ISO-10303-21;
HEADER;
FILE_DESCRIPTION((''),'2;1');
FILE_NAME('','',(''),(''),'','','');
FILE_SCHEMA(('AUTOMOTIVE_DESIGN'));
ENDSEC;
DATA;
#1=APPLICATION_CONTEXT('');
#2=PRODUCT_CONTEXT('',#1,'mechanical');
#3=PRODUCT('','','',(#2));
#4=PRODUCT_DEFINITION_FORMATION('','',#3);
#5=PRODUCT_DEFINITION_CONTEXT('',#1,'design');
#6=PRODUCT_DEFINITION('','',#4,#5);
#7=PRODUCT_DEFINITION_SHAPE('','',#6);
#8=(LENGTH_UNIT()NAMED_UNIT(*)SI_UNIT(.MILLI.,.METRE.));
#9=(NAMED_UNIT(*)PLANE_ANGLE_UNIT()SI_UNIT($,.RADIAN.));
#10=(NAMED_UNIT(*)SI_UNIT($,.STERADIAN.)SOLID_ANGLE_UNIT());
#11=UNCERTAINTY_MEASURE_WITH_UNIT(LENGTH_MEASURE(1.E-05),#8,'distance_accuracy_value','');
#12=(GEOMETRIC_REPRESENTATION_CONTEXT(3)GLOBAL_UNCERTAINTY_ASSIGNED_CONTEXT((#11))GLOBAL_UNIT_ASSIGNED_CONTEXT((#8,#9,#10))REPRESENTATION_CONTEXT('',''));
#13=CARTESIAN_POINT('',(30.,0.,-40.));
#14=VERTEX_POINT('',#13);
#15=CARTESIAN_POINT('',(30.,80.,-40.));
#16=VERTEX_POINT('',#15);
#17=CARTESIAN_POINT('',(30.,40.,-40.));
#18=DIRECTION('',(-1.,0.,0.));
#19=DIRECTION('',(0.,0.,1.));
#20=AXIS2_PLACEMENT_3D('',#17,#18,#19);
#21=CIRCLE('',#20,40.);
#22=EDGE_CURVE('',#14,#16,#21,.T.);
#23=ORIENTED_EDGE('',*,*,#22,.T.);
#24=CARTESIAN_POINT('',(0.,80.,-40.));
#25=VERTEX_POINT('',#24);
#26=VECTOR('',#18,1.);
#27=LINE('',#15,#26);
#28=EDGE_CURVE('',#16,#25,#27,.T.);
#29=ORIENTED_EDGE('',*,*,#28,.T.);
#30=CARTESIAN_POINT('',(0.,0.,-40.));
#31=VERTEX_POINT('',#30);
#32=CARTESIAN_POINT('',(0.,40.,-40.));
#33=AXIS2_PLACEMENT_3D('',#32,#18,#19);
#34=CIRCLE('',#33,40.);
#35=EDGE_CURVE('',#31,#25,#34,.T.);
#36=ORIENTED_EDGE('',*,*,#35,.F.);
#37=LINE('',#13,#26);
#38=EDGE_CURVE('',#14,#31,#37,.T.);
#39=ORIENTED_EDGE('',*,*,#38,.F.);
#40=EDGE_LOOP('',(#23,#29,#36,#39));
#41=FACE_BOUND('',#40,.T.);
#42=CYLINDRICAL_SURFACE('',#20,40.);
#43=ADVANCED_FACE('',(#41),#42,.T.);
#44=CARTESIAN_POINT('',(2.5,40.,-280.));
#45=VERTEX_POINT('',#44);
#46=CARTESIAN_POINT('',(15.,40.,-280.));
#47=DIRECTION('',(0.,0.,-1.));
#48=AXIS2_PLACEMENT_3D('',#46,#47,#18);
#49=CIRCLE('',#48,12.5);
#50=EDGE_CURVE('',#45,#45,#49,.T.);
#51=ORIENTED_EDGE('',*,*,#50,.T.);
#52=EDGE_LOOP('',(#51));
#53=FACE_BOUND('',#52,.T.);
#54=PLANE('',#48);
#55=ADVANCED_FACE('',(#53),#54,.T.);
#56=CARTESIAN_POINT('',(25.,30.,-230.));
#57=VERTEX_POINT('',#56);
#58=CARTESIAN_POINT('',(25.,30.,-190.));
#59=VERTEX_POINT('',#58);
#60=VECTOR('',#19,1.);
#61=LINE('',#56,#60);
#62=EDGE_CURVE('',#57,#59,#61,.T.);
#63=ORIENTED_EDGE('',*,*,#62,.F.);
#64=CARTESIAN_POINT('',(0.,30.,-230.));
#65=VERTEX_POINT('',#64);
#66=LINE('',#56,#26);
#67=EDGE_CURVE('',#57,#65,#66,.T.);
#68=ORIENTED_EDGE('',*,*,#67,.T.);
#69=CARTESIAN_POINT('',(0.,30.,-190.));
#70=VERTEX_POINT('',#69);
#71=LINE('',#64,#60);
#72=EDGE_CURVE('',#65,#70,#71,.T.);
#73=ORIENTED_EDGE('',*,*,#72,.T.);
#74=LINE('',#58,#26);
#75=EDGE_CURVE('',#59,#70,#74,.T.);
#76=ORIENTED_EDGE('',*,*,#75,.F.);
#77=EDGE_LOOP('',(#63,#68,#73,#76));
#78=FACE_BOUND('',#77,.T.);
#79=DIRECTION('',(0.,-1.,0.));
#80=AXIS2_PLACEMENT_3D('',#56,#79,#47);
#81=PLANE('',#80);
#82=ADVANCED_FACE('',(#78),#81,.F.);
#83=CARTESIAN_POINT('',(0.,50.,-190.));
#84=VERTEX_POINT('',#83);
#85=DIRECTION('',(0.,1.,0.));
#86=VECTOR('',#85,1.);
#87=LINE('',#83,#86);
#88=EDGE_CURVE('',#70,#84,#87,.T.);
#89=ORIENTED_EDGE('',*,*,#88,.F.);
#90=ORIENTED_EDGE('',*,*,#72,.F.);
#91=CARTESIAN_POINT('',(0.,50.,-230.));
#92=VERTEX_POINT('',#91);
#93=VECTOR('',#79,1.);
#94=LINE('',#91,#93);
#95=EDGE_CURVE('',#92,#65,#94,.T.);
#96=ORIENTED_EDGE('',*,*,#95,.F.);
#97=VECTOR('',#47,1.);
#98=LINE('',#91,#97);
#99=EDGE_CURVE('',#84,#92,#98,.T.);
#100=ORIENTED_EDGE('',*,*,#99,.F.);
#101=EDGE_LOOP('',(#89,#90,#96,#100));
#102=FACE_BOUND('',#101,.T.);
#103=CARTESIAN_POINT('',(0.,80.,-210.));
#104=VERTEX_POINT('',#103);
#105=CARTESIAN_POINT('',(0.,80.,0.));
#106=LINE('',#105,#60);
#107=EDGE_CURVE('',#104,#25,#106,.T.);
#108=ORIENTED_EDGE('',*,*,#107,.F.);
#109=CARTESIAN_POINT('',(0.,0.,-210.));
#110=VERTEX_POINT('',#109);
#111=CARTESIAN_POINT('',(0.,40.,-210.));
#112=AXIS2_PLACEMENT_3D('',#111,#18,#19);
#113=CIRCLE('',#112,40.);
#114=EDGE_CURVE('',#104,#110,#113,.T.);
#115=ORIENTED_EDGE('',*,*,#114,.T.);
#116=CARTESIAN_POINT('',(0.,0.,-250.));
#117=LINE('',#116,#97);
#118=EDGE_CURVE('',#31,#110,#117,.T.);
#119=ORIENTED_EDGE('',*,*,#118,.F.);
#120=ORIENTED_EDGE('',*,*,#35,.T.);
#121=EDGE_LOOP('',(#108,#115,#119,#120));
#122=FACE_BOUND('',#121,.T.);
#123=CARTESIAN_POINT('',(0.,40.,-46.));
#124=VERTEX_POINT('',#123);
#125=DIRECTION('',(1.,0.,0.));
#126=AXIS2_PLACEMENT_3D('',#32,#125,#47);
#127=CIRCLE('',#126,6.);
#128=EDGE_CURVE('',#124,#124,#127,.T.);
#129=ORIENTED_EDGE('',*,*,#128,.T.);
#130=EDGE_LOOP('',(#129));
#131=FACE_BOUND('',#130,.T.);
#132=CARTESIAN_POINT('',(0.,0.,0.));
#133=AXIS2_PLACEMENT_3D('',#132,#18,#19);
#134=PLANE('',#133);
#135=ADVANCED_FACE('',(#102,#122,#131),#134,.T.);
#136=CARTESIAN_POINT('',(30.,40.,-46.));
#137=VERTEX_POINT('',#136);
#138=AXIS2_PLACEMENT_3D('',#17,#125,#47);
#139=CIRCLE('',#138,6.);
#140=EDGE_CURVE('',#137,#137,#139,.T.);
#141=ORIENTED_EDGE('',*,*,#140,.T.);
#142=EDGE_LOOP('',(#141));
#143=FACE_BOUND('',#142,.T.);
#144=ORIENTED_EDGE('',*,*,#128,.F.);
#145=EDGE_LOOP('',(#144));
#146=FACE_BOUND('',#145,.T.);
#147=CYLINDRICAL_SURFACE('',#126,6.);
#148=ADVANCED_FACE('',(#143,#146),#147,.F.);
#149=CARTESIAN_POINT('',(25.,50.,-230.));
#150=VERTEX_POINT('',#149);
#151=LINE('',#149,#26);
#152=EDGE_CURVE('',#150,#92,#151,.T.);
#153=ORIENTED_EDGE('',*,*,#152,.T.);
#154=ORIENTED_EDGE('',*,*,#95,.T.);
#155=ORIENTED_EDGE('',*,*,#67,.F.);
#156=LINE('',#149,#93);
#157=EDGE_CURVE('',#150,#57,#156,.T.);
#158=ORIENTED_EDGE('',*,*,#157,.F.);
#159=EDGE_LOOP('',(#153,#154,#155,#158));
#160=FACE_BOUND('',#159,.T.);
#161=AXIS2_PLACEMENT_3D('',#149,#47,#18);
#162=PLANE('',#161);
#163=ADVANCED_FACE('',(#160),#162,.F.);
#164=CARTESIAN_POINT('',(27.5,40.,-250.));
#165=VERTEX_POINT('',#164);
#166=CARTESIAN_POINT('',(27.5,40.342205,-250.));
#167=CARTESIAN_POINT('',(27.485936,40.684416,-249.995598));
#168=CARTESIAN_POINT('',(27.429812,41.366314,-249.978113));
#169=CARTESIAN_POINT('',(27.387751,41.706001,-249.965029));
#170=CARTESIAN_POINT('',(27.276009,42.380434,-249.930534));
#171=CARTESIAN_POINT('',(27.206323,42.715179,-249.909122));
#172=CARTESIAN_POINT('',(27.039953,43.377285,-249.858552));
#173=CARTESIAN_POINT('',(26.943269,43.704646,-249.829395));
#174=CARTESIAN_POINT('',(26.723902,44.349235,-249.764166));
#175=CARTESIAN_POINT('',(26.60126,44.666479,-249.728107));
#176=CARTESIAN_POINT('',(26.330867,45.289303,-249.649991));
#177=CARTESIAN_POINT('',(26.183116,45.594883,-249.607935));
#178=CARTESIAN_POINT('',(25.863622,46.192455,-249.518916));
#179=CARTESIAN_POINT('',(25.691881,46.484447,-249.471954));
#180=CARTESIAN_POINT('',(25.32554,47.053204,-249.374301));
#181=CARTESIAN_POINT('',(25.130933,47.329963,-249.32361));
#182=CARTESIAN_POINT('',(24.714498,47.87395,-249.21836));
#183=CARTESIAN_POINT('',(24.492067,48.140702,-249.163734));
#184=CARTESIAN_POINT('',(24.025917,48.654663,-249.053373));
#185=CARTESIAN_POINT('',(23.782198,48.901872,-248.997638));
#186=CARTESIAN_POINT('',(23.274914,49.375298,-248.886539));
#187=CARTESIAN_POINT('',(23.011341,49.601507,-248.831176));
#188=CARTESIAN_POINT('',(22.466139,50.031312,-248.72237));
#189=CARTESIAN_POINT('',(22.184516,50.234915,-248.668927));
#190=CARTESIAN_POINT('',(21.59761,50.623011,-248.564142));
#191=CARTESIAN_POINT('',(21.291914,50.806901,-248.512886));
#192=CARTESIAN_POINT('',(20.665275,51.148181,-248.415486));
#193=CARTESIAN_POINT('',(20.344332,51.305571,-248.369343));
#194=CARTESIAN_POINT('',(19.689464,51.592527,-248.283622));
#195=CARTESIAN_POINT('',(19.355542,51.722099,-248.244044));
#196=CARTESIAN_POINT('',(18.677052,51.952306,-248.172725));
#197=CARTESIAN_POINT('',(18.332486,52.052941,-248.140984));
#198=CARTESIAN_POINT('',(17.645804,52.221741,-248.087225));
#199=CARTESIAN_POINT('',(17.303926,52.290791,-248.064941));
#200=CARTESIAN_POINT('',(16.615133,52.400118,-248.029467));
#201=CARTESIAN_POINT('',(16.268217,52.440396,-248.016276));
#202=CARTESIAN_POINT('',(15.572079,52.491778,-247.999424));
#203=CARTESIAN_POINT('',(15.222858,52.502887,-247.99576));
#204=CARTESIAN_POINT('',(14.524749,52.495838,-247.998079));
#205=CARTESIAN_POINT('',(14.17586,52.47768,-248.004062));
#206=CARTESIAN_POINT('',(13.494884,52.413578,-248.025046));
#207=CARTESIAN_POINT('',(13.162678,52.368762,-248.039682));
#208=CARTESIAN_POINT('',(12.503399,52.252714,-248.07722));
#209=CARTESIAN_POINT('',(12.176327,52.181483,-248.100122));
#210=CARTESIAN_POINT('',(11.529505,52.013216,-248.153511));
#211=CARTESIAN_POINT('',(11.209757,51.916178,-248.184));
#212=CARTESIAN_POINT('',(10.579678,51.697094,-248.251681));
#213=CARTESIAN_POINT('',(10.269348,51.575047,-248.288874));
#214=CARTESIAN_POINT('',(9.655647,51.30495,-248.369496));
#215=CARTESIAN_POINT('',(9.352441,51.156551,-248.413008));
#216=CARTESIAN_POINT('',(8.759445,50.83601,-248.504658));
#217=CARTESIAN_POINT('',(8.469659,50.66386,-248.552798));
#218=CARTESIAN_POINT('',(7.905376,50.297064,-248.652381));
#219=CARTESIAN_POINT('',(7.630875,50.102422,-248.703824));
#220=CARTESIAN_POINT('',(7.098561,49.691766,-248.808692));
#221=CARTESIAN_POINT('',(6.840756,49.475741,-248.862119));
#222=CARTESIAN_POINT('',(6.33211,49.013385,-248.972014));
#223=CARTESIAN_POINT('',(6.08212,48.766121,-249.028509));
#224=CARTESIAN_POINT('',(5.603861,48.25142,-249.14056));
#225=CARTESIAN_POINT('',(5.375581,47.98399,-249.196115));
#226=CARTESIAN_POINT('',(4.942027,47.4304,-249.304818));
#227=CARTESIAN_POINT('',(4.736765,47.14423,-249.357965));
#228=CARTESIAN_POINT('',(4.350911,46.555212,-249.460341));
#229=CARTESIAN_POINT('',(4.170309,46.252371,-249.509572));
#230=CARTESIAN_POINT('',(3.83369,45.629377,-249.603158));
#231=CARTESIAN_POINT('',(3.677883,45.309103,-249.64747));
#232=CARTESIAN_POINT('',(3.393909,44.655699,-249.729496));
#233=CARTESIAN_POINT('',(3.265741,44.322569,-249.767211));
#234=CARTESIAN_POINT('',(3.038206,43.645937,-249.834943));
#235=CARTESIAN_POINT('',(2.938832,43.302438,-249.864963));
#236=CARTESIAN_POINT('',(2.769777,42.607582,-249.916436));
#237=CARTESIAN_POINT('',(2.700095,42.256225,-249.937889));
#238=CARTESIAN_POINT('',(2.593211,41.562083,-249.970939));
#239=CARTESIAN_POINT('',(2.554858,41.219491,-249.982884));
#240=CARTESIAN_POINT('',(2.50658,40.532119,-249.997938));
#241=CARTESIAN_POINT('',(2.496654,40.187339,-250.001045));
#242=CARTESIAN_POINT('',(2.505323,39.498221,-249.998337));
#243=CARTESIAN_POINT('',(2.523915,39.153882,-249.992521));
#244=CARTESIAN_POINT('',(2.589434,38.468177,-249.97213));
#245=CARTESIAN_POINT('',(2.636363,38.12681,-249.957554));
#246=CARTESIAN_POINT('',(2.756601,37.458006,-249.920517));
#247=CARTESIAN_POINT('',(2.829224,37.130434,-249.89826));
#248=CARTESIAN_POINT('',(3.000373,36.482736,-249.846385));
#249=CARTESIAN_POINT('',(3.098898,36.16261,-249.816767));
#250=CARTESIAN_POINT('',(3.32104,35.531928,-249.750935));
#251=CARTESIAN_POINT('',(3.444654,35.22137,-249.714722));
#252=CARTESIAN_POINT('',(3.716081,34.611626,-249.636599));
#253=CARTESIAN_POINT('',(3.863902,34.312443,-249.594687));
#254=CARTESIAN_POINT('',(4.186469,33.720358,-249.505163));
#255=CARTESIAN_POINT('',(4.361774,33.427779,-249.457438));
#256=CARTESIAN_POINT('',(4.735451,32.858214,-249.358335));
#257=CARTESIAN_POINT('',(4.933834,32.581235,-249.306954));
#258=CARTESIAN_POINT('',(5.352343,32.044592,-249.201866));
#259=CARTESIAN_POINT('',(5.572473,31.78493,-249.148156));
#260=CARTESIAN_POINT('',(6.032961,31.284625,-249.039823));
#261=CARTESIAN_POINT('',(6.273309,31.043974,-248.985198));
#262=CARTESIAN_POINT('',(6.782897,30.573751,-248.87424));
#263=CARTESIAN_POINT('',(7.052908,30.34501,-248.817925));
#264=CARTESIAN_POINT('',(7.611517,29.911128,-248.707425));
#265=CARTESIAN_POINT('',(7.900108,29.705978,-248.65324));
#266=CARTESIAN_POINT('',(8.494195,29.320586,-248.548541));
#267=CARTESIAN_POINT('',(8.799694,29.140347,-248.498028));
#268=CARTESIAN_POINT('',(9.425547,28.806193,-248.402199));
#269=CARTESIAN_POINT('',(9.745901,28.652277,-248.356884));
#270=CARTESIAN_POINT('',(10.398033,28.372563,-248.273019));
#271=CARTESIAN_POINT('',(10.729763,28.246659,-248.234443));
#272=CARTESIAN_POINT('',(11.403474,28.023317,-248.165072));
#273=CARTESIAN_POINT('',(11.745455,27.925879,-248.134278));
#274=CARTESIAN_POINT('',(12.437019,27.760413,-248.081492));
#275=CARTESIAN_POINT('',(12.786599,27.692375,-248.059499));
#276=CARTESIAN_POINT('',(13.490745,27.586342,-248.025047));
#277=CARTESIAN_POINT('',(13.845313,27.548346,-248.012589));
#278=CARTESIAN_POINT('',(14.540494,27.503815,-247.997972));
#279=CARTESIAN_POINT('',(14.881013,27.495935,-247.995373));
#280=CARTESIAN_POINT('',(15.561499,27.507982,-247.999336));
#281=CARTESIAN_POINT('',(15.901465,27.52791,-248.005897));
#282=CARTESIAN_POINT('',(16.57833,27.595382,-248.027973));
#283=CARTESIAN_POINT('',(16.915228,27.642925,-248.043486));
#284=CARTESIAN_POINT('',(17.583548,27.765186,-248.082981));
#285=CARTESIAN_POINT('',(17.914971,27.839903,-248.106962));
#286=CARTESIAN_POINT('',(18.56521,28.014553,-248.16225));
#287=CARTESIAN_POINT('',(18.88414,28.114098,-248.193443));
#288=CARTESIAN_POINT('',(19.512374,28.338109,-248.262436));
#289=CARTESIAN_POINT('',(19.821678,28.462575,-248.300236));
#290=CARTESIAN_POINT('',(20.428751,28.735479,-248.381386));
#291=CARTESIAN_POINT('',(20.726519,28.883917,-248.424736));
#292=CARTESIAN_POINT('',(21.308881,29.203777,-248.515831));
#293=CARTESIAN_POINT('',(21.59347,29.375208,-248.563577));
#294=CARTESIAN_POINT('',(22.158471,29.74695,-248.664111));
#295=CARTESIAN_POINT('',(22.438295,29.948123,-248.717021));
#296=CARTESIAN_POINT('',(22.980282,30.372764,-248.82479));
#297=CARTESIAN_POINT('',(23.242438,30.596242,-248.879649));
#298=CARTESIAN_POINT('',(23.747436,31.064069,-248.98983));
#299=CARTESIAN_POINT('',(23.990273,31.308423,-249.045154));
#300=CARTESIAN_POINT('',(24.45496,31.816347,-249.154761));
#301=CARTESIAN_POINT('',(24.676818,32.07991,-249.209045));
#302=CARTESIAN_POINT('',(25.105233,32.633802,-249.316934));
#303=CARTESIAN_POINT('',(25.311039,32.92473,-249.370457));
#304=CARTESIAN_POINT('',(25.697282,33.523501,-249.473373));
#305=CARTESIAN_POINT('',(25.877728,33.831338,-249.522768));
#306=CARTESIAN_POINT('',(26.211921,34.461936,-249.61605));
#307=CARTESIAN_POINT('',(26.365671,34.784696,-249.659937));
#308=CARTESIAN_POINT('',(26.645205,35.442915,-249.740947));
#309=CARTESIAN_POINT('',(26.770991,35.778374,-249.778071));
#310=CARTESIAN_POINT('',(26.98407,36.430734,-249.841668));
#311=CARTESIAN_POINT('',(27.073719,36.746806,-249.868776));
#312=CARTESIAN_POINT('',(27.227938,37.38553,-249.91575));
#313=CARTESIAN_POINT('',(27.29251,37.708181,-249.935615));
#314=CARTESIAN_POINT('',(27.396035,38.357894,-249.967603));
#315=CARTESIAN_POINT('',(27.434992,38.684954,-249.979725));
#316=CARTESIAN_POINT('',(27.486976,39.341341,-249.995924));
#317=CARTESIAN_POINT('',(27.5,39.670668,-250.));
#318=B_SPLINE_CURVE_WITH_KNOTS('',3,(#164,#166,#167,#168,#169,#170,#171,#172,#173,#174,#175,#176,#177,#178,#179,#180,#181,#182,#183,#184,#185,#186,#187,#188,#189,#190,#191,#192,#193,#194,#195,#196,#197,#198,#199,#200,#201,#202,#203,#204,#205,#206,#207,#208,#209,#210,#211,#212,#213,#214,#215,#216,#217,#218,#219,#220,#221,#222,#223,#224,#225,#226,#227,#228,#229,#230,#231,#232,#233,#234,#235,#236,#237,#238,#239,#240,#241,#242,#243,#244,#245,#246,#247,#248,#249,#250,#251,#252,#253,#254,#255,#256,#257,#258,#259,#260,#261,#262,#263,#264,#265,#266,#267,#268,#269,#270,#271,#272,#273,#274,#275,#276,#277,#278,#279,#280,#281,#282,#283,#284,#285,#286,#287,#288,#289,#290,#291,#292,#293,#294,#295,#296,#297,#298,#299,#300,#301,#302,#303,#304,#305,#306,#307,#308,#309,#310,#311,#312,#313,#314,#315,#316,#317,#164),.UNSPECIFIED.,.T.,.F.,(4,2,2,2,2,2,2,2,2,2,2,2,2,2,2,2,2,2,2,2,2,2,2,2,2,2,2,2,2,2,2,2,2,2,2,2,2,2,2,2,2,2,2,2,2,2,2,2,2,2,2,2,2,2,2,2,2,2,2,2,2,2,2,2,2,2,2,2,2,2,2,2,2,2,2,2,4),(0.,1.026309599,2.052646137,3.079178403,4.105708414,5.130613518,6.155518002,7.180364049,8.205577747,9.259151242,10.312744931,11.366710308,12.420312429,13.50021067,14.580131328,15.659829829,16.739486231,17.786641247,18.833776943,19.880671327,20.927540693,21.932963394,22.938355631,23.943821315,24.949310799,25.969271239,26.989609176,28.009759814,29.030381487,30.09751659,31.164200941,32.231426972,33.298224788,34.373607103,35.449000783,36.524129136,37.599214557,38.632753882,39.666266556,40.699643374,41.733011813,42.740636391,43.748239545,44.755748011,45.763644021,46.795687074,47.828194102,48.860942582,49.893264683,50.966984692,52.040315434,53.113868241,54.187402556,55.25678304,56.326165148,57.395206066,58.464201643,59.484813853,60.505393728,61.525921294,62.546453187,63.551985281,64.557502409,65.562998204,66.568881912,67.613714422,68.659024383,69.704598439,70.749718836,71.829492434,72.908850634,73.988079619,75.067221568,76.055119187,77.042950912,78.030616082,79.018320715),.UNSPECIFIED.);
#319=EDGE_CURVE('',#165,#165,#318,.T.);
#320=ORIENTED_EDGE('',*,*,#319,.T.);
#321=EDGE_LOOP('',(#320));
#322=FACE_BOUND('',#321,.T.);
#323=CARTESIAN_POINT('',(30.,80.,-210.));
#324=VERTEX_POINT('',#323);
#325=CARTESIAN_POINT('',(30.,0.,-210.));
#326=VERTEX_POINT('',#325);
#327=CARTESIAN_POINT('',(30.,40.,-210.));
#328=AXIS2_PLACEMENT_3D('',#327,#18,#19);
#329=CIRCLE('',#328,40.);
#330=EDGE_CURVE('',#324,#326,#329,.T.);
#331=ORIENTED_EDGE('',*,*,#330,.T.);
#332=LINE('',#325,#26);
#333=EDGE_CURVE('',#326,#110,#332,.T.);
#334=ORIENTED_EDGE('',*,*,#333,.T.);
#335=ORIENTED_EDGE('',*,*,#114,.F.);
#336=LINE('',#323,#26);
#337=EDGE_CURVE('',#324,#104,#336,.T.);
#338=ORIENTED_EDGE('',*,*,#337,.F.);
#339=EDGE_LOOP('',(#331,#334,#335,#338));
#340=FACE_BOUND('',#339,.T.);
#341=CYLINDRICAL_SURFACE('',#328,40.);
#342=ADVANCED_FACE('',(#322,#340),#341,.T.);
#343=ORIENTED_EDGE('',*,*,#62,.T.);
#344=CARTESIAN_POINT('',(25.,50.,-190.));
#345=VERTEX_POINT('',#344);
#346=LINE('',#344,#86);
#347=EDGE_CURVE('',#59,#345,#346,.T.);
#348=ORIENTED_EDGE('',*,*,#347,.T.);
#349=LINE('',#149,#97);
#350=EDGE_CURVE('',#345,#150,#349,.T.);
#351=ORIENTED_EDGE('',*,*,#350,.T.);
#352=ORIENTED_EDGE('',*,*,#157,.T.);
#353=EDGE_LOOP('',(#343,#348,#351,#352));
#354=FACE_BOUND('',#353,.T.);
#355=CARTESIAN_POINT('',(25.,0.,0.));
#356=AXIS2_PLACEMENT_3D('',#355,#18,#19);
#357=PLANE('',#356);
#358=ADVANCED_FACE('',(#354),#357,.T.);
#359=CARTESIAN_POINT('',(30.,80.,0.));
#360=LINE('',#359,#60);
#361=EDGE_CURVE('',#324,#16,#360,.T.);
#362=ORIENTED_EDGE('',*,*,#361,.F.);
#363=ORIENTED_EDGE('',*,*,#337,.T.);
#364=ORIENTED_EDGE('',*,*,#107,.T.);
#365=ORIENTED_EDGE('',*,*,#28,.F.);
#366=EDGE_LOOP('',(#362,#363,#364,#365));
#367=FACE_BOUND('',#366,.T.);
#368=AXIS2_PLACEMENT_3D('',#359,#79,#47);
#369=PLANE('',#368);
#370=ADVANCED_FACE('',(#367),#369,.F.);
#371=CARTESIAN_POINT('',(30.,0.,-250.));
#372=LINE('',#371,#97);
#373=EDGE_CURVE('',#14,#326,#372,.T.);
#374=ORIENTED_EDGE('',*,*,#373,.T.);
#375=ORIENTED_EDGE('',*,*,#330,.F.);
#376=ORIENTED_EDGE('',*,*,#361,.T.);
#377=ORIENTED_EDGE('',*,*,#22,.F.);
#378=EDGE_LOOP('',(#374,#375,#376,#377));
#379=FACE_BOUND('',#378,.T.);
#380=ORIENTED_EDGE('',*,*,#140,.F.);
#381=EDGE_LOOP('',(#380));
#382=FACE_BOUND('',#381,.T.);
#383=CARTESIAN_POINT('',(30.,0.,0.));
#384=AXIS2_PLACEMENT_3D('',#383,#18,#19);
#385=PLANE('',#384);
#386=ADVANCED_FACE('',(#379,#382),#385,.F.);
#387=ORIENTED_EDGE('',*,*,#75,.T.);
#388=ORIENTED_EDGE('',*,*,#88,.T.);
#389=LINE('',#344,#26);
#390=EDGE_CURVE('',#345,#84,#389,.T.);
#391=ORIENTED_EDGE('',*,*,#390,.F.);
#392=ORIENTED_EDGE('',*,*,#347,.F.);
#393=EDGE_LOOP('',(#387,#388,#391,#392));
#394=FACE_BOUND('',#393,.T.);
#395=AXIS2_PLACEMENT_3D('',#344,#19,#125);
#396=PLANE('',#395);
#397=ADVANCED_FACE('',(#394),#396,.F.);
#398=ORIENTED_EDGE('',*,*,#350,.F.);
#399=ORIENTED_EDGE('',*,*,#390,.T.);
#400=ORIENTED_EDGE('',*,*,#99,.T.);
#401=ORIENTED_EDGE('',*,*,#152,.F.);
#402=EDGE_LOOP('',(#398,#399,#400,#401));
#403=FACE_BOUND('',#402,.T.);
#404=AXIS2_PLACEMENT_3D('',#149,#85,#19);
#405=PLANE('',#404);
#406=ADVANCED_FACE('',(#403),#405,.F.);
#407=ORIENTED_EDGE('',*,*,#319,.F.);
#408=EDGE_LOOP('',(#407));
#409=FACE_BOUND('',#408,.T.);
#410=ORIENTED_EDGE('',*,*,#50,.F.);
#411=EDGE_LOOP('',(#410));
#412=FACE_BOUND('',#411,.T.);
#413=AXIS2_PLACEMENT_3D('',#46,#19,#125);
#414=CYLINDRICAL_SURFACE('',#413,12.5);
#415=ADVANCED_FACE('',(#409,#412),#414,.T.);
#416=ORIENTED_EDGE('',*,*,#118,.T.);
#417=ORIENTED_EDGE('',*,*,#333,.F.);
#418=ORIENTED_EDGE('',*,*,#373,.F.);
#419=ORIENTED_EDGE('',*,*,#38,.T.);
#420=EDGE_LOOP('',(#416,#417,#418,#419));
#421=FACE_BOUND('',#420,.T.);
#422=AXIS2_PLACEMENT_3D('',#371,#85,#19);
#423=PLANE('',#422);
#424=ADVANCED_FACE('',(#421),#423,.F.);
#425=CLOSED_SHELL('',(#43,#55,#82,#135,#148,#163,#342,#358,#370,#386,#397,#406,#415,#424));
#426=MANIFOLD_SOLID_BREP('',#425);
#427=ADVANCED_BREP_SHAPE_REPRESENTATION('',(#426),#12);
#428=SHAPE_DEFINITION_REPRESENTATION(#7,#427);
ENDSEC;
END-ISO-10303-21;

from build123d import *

# Parameters (mm, degrees)
SKETCH2_W               = 250
SKETCH2_H               = 80
BOSS_EXTRUDE1_DEPTH     = 30
SKETCH11_R              = 6
CUT_EXTRUDE2_DEPTH      = 265.196896272
CUT_EXTRUDE_THIN2_DEPTH = 265.196896272
SKETCH15_W              = 40
SKETCH15_H              = 20
CUT_EXTRUDE3_DEPTH      = 25
SKETCH16_R              = 12.5
BOSS_EXTRUDE2_DEPTH     = 50


with BuildPart() as part:
    # Sketch2 → Boss-Extrude1 (new body)
    with BuildSketch(Plane(origin=(0, 0, 0), x_dir=(0, 0, -1), z_dir=(1, 0, 0))):
        with Locations((125, 40)):
            Rectangle(SKETCH2_W, SKETCH2_H)
    extrude(amount=BOSS_EXTRUDE1_DEPTH)

    # Sketch11 → Cut-Extrude2 (cut, through all)
    with BuildSketch(Plane(origin=(30, 0, 0), x_dir=(0, 0, -1), z_dir=(1, 0, 0))):
        with Locations((40, 40)):
            Circle(SKETCH11_R)
    extrude(amount=-CUT_EXTRUDE2_DEPTH, mode=Mode.SUBTRACT)

    # Sketch14 → Cut-Extrude-Thin2 (cut, through all)
    with BuildSketch(Plane.ZY):
        with BuildLine():
            ThreePointArc((-40, 0), (0, 40), (-40, 80))
            Line((-40, 80), (-40, 90))
            ThreePointArc((-40, 90), (10, 40), (-40, -10))
            Line((-40, -10), (-40, 0))
        make_face()
        with BuildLine():
            ThreePointArc((-210, 80), (-250, 40), (-210, 0))
            Line((-210, 0), (-210, -10))
            ThreePointArc((-210, -10), (-260, 40), (-210, 90))
            Line((-210, 90), (-210, 80))
        make_face()
    extrude(amount=-CUT_EXTRUDE_THIN2_DEPTH, mode=Mode.SUBTRACT)


with BuildPart() as cut_extrude_thin2_kept_piece:
    # of the separate pieces the step leaves, the one the design keeps (cut_extrude_thin2_pieces_kept)
    add(part.part.solids().sort_by_distance((0, 0, -40))[0])

    # Sketch15 → Cut-Extrude3 (cut)
    with BuildSketch(Plane.ZY):
        with Locations((-210, 40)):
            Rectangle(SKETCH15_W, SKETCH15_H)
    extrude(amount=-CUT_EXTRUDE3_DEPTH, mode=Mode.SUBTRACT)

    # Sketch16 → Boss-Extrude2 (add)
    with BuildSketch(Plane(origin=(0, 0, -230), x_dir=(-1, 0, 0), z_dir=(0, 0, -1))):
        with Locations(Location((-15, 40, 0), (0, 0, 180))):
            Circle(SKETCH16_R)
    extrude(amount=BOSS_EXTRUDE2_DEPTH)


solid = cut_extrude_thin2_kept_piece.part
